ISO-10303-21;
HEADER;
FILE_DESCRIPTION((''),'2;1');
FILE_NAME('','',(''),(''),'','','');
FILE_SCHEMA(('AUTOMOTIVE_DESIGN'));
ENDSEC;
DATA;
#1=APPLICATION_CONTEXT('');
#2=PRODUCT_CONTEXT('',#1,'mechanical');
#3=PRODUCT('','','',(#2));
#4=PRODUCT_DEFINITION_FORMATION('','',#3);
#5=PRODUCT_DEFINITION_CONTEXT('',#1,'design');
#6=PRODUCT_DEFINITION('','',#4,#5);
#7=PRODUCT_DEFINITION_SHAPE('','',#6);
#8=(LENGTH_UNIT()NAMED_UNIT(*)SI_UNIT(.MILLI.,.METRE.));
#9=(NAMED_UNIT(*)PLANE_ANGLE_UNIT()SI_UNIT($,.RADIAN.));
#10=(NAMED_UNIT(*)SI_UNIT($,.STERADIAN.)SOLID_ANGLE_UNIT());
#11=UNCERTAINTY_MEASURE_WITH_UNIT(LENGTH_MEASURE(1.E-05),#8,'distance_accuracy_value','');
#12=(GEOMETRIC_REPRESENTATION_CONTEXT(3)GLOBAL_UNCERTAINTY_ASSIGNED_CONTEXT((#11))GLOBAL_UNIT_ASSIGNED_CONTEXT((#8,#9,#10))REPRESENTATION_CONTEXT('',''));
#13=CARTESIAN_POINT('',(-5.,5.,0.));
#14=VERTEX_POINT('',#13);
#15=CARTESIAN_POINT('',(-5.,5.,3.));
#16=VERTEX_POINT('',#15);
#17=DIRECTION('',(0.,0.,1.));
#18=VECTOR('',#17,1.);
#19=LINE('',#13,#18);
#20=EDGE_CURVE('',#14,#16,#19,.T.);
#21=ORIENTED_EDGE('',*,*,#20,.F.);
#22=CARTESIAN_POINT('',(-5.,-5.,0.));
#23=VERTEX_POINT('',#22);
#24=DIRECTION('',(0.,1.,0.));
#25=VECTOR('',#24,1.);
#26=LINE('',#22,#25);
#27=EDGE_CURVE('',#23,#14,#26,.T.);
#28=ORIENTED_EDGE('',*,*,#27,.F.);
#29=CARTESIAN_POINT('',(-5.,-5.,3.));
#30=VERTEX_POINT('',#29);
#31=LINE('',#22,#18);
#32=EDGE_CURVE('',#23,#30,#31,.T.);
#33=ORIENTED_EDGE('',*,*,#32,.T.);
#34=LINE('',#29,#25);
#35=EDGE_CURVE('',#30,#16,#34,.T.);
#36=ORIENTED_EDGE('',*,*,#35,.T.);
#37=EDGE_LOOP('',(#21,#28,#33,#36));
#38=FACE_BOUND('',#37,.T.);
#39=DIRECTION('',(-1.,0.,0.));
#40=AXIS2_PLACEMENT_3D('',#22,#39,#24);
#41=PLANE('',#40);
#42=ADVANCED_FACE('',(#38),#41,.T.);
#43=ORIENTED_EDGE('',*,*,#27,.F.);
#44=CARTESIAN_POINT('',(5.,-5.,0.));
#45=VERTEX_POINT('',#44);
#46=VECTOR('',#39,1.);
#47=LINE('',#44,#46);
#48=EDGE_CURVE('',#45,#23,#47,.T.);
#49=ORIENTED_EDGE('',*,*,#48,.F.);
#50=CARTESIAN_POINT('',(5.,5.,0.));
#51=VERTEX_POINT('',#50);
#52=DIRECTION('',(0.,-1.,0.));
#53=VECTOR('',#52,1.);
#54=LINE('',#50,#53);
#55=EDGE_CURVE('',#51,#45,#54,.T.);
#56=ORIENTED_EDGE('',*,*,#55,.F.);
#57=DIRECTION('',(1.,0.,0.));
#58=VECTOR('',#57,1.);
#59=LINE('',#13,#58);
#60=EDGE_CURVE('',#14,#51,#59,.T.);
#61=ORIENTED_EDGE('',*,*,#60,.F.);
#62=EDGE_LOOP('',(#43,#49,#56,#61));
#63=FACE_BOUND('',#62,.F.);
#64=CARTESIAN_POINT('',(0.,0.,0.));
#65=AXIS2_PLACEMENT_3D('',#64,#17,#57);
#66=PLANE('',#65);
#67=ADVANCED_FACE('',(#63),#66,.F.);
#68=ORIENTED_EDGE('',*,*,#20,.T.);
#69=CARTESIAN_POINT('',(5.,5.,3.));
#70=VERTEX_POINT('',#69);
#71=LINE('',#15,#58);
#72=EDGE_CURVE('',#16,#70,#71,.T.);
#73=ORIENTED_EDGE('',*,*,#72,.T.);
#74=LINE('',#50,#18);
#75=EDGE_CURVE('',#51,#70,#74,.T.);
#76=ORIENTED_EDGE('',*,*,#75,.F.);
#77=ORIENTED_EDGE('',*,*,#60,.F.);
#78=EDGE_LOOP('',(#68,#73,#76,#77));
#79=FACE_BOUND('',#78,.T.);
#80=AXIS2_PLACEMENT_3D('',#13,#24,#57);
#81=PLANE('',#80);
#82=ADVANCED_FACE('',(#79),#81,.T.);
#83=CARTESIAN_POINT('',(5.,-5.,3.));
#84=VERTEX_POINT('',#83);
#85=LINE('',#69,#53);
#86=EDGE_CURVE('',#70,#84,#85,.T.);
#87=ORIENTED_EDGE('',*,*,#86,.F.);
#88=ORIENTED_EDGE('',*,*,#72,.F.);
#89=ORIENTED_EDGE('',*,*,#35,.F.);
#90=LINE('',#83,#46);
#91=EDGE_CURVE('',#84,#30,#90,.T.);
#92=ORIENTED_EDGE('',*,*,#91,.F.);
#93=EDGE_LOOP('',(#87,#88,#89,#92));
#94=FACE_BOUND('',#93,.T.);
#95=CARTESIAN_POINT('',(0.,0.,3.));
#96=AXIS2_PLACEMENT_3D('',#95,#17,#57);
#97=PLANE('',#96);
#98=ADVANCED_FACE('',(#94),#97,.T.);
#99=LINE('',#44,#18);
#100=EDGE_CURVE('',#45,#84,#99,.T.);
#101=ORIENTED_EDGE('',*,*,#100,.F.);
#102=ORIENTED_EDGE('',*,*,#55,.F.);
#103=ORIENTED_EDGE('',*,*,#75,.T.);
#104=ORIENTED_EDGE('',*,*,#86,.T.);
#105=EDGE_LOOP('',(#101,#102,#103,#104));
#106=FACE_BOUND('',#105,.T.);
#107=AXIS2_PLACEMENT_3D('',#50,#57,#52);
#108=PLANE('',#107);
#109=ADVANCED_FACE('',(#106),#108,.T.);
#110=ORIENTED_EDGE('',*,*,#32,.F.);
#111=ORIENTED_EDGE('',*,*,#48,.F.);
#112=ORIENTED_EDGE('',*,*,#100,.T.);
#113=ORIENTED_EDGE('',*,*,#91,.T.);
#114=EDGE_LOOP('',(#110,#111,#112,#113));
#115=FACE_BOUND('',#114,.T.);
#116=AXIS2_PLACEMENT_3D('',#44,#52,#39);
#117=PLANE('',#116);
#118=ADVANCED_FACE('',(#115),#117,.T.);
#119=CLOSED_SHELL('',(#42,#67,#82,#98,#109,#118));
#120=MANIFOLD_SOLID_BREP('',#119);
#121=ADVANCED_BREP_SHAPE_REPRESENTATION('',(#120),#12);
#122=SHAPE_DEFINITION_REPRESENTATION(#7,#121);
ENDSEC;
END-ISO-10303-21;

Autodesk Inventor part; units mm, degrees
ref_plane "YZ Plane" through (0, 0, 0) normal (1, 0, 0) x (0, 1, 0)
ref_plane "XZ Plane" through (0, 0, 0) normal (0, 1, 0) x (-1, 0, 0)
ref_plane "XY Plane" through (0, 0, 0) normal (0, 0, 1) x (1, 0, 0)
sketch "草图1" plane through (0, 0, 0) normal (0, 0, 1) x (1, 0, 0)
  line L0 (5, -5) -> (-5, -5)
  line L1 (-5, -5) -> (-5, 5)
  line L2 (-5, 5) -> (5, 5)
  line L3 (5, 5) -> (5, -5)
  line L4 (5, -5) -> (-5, 5) construction
  line L5 (-5, -5) -> (5, 5) construction
  point P0 (0, 0)
  dimension "d0" = 10
  dimension "d1" = 10
extrude "拉伸1" add sketch "草图1" along normal blind 3
properties part number "Y轴玻纤板"
